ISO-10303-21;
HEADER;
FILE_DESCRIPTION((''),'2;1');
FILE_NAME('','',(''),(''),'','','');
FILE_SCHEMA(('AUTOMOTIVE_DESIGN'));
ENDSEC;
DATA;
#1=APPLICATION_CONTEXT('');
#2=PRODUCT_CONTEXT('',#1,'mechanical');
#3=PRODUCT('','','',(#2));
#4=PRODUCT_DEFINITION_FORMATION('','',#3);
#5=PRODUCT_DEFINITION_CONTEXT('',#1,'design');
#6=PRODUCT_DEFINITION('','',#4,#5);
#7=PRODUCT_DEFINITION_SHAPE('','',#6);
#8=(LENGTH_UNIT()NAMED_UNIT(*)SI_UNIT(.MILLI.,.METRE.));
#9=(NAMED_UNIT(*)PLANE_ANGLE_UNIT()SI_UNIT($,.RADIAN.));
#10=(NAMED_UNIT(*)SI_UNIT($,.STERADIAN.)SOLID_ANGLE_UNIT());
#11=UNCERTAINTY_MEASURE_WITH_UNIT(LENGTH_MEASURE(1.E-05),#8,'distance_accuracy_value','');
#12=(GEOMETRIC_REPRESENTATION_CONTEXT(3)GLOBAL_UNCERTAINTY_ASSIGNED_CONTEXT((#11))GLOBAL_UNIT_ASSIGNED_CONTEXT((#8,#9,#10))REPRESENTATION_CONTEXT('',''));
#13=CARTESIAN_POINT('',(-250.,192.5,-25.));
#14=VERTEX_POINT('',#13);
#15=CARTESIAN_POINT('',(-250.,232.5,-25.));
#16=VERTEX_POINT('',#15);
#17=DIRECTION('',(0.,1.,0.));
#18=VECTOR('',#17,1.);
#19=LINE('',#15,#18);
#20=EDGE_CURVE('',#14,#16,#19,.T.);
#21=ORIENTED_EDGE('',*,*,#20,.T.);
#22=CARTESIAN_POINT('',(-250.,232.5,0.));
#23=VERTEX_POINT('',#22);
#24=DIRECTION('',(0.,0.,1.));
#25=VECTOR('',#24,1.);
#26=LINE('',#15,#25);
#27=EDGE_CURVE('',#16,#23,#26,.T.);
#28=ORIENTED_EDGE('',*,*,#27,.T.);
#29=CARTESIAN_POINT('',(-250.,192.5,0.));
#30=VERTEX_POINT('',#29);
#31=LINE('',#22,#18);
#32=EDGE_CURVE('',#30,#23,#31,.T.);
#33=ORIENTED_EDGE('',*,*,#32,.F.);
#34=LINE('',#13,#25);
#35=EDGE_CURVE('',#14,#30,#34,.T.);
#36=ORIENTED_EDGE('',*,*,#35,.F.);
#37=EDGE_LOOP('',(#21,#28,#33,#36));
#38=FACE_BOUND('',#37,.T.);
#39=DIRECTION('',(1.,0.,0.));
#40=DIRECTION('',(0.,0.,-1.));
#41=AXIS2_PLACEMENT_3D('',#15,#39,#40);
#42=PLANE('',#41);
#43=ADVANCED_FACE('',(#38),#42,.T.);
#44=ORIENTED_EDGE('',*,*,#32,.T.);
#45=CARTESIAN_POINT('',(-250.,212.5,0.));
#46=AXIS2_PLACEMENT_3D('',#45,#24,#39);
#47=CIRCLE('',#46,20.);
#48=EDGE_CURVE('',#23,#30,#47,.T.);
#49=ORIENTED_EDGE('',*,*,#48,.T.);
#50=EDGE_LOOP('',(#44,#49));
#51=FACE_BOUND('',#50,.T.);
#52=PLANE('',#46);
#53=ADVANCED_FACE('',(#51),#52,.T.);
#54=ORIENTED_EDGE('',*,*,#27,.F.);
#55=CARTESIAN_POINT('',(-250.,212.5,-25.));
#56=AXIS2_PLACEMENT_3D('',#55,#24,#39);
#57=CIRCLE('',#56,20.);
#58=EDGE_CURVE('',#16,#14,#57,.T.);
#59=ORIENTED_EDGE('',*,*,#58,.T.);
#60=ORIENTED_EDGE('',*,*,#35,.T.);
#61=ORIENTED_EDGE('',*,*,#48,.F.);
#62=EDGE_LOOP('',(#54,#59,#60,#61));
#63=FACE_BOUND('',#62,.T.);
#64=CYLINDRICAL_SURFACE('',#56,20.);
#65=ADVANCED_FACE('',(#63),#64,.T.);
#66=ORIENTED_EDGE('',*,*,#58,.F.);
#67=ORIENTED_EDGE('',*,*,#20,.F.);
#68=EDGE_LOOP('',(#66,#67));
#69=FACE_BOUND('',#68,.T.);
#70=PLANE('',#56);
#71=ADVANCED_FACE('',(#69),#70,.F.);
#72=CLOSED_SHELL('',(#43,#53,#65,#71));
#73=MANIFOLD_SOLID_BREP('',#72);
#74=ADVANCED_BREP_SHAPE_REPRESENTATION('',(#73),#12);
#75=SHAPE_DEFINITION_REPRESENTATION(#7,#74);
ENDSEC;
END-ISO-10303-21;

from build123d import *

# Parameters (mm, degrees)
BOSS_EXTRUDE1_DEPTH = 25


with BuildPart() as part:
    # Sketch1 → Boss-Extrude1 (new body)
    with BuildSketch(Plane.XY):
        with BuildLine():
            Line((-250, 232.5), (-250, 192.5))
            ThreePointArc((-250, 192.5), (-270, 212.5), (-250, 232.5))
        make_face()
    extrude(amount=-BOSS_EXTRUDE1_DEPTH)


solid = part.part
